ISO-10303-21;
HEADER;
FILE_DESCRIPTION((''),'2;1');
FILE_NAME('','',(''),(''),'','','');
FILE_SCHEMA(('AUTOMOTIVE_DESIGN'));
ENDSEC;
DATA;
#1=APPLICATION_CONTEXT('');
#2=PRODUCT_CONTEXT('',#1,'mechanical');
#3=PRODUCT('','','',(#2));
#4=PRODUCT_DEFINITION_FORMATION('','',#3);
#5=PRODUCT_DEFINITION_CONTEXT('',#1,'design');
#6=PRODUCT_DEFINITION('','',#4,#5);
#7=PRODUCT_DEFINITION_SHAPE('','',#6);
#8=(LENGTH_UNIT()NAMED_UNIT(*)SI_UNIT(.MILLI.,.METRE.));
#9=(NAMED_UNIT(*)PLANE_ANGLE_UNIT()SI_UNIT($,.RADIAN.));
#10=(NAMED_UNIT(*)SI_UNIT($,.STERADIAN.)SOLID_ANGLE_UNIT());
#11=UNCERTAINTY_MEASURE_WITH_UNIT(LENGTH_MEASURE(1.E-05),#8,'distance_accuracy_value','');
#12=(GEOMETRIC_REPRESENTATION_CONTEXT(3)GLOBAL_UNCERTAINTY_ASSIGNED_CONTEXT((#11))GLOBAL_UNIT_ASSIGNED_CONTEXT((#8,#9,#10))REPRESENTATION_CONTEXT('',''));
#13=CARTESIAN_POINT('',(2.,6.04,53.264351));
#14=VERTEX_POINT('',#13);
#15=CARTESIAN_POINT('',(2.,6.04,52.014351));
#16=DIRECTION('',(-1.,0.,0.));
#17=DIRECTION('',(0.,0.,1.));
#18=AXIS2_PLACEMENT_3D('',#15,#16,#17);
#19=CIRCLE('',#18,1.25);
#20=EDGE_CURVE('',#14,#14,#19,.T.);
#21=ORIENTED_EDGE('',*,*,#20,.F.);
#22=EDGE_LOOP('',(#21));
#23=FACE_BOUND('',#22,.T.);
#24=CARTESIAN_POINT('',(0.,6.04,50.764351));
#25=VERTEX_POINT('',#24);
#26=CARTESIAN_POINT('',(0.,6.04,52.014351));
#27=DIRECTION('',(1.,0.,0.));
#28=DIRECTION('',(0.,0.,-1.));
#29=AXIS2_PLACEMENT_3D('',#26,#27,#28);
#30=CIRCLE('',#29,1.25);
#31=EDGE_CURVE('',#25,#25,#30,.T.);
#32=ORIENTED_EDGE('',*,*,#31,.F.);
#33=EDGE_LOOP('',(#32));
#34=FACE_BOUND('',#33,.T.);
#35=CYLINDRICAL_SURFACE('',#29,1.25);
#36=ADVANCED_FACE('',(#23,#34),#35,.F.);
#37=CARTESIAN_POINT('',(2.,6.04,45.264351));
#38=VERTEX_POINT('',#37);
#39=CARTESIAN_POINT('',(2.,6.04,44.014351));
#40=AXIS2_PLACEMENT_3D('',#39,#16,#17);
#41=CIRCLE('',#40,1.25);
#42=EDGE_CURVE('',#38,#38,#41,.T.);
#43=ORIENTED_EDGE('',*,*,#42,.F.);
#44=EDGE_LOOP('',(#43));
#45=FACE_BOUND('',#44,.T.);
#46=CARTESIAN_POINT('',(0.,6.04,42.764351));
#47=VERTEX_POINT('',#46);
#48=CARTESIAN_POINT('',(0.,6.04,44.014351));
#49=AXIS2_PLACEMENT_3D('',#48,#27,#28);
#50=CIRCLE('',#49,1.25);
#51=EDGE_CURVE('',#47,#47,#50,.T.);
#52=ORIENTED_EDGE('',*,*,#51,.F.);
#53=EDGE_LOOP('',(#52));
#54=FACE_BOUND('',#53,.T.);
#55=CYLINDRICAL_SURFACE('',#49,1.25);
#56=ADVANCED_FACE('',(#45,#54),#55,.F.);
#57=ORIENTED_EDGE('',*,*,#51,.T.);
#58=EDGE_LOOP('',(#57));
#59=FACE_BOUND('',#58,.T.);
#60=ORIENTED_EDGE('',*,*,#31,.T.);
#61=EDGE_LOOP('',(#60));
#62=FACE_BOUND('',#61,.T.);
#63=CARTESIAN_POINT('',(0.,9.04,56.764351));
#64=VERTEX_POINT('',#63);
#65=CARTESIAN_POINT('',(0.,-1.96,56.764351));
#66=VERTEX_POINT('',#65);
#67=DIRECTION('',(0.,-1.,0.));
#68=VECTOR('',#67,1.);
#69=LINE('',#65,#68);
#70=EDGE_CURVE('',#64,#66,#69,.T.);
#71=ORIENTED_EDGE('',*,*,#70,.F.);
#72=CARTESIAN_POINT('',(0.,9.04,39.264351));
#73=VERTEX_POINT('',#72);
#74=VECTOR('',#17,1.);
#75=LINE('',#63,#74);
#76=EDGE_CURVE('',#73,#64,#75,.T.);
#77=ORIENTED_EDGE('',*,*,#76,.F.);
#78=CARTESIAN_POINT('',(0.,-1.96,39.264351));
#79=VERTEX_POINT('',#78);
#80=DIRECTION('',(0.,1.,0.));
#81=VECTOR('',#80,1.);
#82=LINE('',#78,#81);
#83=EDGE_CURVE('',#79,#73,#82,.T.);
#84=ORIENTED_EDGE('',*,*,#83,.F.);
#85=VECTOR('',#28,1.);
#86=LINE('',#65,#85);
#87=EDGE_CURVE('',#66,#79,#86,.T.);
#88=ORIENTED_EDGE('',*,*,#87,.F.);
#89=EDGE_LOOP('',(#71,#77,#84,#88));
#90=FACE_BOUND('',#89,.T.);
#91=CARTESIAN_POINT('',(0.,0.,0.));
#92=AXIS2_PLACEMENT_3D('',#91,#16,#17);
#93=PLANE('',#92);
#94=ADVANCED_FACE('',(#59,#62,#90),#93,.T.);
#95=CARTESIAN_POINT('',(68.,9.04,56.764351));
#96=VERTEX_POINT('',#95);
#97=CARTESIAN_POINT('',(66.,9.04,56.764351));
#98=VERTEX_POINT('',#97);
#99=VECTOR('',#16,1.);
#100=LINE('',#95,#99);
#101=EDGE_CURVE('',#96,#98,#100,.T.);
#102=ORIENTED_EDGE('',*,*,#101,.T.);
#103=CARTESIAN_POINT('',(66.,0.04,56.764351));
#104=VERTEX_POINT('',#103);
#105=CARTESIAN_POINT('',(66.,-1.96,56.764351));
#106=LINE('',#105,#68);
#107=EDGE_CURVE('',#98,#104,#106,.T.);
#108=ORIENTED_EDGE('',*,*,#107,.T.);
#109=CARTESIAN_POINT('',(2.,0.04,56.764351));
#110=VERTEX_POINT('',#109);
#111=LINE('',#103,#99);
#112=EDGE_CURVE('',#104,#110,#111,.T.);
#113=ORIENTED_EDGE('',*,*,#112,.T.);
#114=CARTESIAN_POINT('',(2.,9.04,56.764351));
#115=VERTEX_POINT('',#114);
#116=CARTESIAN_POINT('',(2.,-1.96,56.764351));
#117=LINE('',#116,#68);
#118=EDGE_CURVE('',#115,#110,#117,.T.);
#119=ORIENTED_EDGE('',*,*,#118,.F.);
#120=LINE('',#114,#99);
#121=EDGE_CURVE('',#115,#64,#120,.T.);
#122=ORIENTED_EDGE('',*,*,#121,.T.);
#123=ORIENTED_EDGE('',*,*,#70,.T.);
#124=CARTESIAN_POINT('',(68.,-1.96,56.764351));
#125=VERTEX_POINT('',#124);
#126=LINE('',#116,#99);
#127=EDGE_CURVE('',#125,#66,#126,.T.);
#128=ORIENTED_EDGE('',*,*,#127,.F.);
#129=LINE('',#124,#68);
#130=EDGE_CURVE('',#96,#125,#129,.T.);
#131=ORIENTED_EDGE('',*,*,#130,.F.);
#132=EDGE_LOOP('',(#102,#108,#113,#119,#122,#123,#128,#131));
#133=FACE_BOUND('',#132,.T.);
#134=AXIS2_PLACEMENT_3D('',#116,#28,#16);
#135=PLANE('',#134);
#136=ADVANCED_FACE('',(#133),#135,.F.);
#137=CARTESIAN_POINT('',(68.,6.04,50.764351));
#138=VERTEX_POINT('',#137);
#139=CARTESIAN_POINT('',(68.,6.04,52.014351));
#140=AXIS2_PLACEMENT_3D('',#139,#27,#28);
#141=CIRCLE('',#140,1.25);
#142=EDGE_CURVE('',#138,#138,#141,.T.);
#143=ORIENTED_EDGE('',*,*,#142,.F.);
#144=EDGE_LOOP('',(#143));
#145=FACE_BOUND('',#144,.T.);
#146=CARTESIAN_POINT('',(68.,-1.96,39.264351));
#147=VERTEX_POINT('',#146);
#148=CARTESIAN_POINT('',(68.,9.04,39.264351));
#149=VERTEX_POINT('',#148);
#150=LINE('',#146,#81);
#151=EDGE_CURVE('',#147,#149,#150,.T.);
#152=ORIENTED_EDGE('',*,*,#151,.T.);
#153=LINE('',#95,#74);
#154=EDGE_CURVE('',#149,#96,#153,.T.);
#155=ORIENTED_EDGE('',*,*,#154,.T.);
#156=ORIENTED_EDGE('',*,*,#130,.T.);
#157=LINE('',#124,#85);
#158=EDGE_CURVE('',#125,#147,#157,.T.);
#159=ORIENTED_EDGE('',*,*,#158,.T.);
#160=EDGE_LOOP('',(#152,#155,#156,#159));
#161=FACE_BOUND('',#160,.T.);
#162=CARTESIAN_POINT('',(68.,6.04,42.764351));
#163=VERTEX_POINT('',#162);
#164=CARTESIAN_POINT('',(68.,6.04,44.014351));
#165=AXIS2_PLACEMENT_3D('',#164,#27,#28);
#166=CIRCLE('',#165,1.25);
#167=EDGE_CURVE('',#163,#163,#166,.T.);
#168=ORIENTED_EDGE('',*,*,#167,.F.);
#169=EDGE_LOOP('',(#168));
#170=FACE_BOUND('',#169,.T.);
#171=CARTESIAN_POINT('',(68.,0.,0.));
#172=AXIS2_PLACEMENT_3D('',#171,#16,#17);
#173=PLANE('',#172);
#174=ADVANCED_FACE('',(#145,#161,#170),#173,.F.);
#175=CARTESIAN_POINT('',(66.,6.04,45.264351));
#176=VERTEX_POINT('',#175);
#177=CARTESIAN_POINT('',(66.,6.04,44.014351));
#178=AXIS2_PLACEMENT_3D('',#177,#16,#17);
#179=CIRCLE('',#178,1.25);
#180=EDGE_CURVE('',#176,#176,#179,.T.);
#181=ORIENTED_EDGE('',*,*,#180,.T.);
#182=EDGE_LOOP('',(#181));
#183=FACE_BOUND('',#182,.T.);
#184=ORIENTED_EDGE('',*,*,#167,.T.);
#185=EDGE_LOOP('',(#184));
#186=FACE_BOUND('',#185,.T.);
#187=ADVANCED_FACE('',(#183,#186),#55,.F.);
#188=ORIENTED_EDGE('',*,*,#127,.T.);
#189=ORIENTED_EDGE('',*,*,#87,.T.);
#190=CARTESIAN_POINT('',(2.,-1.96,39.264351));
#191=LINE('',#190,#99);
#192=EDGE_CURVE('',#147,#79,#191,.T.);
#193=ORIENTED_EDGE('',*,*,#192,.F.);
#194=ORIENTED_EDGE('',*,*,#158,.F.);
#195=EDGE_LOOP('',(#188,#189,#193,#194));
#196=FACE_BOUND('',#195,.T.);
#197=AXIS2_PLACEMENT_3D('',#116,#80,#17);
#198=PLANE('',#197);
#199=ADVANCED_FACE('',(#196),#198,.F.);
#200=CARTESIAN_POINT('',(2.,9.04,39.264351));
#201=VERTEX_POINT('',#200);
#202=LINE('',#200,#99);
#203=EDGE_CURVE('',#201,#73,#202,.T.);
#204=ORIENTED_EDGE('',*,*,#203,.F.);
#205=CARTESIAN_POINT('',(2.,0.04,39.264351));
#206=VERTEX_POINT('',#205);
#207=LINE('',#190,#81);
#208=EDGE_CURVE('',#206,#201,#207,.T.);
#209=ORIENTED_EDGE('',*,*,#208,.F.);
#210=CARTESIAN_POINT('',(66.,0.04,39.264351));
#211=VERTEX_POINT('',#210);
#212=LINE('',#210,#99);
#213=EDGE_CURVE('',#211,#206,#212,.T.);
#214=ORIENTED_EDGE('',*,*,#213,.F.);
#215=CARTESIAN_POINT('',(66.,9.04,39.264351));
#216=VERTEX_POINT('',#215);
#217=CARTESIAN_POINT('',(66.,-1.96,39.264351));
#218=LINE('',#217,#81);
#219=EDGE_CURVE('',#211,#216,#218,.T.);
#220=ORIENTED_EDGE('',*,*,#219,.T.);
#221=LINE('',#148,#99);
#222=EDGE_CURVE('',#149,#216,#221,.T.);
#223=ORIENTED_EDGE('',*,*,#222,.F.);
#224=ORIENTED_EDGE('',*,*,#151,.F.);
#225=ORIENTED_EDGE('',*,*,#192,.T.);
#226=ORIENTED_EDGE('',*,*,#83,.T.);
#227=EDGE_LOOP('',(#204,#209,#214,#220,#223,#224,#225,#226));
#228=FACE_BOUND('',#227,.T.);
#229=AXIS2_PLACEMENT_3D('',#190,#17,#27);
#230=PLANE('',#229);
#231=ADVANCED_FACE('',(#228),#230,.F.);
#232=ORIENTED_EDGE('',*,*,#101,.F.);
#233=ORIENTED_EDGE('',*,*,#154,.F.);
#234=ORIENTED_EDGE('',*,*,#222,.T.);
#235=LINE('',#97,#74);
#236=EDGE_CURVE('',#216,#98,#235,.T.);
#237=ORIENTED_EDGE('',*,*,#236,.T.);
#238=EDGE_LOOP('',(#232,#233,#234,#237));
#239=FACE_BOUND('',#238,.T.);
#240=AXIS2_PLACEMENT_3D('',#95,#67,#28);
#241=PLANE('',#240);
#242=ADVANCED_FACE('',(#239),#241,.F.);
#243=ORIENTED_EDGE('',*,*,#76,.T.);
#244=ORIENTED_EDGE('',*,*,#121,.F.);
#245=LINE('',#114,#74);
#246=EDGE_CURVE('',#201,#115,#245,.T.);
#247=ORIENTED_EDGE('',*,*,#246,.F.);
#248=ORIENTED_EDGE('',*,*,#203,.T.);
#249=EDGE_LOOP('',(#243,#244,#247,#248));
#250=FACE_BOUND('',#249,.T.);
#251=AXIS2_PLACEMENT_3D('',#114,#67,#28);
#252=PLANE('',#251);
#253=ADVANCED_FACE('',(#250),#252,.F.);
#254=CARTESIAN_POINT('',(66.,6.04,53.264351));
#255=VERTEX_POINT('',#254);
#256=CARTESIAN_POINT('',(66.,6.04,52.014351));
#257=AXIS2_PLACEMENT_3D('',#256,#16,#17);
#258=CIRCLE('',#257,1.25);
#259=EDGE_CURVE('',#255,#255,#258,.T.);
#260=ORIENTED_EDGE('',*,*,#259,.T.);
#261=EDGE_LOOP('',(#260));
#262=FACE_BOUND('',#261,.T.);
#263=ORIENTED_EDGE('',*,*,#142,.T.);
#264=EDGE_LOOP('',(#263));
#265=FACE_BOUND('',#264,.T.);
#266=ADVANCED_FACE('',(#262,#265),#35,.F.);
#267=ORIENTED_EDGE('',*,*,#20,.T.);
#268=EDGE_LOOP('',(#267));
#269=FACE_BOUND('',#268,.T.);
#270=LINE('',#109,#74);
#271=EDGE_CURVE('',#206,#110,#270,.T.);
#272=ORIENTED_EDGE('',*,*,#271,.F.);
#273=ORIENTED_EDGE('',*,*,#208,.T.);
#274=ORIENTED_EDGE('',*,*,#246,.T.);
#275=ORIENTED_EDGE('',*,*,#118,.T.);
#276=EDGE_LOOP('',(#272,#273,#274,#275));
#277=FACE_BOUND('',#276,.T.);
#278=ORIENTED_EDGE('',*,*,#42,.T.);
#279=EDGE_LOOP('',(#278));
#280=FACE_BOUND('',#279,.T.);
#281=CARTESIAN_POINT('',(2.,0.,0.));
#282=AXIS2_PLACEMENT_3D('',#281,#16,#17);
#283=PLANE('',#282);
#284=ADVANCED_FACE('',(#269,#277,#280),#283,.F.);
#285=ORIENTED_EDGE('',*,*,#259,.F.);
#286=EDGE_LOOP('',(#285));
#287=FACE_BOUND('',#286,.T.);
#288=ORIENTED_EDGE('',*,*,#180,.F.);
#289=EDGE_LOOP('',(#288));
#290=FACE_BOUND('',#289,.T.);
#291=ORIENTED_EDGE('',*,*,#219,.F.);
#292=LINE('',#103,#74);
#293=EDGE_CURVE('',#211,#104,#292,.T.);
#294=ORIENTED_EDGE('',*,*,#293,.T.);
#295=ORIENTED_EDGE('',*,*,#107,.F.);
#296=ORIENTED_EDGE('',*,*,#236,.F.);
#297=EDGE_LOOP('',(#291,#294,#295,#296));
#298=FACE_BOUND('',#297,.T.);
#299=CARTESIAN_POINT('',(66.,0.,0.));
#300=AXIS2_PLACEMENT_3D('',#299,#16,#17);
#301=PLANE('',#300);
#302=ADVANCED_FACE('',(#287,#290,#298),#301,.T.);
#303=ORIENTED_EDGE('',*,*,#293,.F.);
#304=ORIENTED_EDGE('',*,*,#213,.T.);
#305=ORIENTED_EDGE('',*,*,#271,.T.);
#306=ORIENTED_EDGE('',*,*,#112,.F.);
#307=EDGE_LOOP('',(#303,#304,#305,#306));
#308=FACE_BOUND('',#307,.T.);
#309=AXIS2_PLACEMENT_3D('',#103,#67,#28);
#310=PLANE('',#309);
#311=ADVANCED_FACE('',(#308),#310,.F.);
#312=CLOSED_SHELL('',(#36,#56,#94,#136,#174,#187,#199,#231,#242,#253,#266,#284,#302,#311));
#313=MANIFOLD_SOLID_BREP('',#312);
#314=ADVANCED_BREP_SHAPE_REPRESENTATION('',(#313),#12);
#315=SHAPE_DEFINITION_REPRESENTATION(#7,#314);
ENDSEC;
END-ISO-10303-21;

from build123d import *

# Parameters (mm, degrees)
SKETCH1_W           = 17.5
SKETCH1_H           = 11
BOSS_EXTRUDE1_DEPTH = 2
SKETCH2_W           = 17.5
SKETCH2_H           = 2
BOSS_EXTRUDE2_DEPTH = 64
SKETCH3_W           = 17.5
SKETCH3_H           = 11
BOSS_EXTRUDE3_DEPTH = 2
SKETCH4_R           = 1.25
CUT_EXTRUDE1_DEPTH  = 68


with BuildPart() as part:
    # Sketch1 → Boss-Extrude1 (new body)
    with BuildSketch(Plane(origin=(0, 0, 0), x_dir=(0, 0, -1), z_dir=(1, 0, 0))):
        with Locations((-48.014351082, 3.54)):
            Rectangle(SKETCH1_W, SKETCH1_H)
    extrude(amount=BOSS_EXTRUDE1_DEPTH)

    # Sketch2 → Boss-Extrude2 (add)
    with BuildSketch(Plane(origin=(2, 0, 0), x_dir=(0, 0, -1), z_dir=(1, 0, 0))):
        with Locations((-48.014351082, -0.96)):
            Rectangle(SKETCH2_W, SKETCH2_H)
    extrude(amount=BOSS_EXTRUDE2_DEPTH)

    # Sketch3 → Boss-Extrude3 (add)
    with BuildSketch(Plane(origin=(66, 0, 0), x_dir=(0, 0, -1), z_dir=(1, 0, 0))):
        with Locations((-48.014351082, 3.54)):
            Rectangle(SKETCH3_W, SKETCH3_H)
    extrude(amount=BOSS_EXTRUDE3_DEPTH)

    # Sketch4 → Cut-Extrude1 (cut)
    with BuildSketch(Plane(origin=(68, 0, 0), x_dir=(0, 0, -1), z_dir=(1, 0, 0))):
        with Locations((-52.014351082, 6.04)):
            Circle(SKETCH4_R)
        with Locations((-44.014351082, 6.04)):
            Circle(SKETCH4_R)
    extrude(amount=-CUT_EXTRUDE1_DEPTH, mode=Mode.SUBTRACT)


solid = part.part
